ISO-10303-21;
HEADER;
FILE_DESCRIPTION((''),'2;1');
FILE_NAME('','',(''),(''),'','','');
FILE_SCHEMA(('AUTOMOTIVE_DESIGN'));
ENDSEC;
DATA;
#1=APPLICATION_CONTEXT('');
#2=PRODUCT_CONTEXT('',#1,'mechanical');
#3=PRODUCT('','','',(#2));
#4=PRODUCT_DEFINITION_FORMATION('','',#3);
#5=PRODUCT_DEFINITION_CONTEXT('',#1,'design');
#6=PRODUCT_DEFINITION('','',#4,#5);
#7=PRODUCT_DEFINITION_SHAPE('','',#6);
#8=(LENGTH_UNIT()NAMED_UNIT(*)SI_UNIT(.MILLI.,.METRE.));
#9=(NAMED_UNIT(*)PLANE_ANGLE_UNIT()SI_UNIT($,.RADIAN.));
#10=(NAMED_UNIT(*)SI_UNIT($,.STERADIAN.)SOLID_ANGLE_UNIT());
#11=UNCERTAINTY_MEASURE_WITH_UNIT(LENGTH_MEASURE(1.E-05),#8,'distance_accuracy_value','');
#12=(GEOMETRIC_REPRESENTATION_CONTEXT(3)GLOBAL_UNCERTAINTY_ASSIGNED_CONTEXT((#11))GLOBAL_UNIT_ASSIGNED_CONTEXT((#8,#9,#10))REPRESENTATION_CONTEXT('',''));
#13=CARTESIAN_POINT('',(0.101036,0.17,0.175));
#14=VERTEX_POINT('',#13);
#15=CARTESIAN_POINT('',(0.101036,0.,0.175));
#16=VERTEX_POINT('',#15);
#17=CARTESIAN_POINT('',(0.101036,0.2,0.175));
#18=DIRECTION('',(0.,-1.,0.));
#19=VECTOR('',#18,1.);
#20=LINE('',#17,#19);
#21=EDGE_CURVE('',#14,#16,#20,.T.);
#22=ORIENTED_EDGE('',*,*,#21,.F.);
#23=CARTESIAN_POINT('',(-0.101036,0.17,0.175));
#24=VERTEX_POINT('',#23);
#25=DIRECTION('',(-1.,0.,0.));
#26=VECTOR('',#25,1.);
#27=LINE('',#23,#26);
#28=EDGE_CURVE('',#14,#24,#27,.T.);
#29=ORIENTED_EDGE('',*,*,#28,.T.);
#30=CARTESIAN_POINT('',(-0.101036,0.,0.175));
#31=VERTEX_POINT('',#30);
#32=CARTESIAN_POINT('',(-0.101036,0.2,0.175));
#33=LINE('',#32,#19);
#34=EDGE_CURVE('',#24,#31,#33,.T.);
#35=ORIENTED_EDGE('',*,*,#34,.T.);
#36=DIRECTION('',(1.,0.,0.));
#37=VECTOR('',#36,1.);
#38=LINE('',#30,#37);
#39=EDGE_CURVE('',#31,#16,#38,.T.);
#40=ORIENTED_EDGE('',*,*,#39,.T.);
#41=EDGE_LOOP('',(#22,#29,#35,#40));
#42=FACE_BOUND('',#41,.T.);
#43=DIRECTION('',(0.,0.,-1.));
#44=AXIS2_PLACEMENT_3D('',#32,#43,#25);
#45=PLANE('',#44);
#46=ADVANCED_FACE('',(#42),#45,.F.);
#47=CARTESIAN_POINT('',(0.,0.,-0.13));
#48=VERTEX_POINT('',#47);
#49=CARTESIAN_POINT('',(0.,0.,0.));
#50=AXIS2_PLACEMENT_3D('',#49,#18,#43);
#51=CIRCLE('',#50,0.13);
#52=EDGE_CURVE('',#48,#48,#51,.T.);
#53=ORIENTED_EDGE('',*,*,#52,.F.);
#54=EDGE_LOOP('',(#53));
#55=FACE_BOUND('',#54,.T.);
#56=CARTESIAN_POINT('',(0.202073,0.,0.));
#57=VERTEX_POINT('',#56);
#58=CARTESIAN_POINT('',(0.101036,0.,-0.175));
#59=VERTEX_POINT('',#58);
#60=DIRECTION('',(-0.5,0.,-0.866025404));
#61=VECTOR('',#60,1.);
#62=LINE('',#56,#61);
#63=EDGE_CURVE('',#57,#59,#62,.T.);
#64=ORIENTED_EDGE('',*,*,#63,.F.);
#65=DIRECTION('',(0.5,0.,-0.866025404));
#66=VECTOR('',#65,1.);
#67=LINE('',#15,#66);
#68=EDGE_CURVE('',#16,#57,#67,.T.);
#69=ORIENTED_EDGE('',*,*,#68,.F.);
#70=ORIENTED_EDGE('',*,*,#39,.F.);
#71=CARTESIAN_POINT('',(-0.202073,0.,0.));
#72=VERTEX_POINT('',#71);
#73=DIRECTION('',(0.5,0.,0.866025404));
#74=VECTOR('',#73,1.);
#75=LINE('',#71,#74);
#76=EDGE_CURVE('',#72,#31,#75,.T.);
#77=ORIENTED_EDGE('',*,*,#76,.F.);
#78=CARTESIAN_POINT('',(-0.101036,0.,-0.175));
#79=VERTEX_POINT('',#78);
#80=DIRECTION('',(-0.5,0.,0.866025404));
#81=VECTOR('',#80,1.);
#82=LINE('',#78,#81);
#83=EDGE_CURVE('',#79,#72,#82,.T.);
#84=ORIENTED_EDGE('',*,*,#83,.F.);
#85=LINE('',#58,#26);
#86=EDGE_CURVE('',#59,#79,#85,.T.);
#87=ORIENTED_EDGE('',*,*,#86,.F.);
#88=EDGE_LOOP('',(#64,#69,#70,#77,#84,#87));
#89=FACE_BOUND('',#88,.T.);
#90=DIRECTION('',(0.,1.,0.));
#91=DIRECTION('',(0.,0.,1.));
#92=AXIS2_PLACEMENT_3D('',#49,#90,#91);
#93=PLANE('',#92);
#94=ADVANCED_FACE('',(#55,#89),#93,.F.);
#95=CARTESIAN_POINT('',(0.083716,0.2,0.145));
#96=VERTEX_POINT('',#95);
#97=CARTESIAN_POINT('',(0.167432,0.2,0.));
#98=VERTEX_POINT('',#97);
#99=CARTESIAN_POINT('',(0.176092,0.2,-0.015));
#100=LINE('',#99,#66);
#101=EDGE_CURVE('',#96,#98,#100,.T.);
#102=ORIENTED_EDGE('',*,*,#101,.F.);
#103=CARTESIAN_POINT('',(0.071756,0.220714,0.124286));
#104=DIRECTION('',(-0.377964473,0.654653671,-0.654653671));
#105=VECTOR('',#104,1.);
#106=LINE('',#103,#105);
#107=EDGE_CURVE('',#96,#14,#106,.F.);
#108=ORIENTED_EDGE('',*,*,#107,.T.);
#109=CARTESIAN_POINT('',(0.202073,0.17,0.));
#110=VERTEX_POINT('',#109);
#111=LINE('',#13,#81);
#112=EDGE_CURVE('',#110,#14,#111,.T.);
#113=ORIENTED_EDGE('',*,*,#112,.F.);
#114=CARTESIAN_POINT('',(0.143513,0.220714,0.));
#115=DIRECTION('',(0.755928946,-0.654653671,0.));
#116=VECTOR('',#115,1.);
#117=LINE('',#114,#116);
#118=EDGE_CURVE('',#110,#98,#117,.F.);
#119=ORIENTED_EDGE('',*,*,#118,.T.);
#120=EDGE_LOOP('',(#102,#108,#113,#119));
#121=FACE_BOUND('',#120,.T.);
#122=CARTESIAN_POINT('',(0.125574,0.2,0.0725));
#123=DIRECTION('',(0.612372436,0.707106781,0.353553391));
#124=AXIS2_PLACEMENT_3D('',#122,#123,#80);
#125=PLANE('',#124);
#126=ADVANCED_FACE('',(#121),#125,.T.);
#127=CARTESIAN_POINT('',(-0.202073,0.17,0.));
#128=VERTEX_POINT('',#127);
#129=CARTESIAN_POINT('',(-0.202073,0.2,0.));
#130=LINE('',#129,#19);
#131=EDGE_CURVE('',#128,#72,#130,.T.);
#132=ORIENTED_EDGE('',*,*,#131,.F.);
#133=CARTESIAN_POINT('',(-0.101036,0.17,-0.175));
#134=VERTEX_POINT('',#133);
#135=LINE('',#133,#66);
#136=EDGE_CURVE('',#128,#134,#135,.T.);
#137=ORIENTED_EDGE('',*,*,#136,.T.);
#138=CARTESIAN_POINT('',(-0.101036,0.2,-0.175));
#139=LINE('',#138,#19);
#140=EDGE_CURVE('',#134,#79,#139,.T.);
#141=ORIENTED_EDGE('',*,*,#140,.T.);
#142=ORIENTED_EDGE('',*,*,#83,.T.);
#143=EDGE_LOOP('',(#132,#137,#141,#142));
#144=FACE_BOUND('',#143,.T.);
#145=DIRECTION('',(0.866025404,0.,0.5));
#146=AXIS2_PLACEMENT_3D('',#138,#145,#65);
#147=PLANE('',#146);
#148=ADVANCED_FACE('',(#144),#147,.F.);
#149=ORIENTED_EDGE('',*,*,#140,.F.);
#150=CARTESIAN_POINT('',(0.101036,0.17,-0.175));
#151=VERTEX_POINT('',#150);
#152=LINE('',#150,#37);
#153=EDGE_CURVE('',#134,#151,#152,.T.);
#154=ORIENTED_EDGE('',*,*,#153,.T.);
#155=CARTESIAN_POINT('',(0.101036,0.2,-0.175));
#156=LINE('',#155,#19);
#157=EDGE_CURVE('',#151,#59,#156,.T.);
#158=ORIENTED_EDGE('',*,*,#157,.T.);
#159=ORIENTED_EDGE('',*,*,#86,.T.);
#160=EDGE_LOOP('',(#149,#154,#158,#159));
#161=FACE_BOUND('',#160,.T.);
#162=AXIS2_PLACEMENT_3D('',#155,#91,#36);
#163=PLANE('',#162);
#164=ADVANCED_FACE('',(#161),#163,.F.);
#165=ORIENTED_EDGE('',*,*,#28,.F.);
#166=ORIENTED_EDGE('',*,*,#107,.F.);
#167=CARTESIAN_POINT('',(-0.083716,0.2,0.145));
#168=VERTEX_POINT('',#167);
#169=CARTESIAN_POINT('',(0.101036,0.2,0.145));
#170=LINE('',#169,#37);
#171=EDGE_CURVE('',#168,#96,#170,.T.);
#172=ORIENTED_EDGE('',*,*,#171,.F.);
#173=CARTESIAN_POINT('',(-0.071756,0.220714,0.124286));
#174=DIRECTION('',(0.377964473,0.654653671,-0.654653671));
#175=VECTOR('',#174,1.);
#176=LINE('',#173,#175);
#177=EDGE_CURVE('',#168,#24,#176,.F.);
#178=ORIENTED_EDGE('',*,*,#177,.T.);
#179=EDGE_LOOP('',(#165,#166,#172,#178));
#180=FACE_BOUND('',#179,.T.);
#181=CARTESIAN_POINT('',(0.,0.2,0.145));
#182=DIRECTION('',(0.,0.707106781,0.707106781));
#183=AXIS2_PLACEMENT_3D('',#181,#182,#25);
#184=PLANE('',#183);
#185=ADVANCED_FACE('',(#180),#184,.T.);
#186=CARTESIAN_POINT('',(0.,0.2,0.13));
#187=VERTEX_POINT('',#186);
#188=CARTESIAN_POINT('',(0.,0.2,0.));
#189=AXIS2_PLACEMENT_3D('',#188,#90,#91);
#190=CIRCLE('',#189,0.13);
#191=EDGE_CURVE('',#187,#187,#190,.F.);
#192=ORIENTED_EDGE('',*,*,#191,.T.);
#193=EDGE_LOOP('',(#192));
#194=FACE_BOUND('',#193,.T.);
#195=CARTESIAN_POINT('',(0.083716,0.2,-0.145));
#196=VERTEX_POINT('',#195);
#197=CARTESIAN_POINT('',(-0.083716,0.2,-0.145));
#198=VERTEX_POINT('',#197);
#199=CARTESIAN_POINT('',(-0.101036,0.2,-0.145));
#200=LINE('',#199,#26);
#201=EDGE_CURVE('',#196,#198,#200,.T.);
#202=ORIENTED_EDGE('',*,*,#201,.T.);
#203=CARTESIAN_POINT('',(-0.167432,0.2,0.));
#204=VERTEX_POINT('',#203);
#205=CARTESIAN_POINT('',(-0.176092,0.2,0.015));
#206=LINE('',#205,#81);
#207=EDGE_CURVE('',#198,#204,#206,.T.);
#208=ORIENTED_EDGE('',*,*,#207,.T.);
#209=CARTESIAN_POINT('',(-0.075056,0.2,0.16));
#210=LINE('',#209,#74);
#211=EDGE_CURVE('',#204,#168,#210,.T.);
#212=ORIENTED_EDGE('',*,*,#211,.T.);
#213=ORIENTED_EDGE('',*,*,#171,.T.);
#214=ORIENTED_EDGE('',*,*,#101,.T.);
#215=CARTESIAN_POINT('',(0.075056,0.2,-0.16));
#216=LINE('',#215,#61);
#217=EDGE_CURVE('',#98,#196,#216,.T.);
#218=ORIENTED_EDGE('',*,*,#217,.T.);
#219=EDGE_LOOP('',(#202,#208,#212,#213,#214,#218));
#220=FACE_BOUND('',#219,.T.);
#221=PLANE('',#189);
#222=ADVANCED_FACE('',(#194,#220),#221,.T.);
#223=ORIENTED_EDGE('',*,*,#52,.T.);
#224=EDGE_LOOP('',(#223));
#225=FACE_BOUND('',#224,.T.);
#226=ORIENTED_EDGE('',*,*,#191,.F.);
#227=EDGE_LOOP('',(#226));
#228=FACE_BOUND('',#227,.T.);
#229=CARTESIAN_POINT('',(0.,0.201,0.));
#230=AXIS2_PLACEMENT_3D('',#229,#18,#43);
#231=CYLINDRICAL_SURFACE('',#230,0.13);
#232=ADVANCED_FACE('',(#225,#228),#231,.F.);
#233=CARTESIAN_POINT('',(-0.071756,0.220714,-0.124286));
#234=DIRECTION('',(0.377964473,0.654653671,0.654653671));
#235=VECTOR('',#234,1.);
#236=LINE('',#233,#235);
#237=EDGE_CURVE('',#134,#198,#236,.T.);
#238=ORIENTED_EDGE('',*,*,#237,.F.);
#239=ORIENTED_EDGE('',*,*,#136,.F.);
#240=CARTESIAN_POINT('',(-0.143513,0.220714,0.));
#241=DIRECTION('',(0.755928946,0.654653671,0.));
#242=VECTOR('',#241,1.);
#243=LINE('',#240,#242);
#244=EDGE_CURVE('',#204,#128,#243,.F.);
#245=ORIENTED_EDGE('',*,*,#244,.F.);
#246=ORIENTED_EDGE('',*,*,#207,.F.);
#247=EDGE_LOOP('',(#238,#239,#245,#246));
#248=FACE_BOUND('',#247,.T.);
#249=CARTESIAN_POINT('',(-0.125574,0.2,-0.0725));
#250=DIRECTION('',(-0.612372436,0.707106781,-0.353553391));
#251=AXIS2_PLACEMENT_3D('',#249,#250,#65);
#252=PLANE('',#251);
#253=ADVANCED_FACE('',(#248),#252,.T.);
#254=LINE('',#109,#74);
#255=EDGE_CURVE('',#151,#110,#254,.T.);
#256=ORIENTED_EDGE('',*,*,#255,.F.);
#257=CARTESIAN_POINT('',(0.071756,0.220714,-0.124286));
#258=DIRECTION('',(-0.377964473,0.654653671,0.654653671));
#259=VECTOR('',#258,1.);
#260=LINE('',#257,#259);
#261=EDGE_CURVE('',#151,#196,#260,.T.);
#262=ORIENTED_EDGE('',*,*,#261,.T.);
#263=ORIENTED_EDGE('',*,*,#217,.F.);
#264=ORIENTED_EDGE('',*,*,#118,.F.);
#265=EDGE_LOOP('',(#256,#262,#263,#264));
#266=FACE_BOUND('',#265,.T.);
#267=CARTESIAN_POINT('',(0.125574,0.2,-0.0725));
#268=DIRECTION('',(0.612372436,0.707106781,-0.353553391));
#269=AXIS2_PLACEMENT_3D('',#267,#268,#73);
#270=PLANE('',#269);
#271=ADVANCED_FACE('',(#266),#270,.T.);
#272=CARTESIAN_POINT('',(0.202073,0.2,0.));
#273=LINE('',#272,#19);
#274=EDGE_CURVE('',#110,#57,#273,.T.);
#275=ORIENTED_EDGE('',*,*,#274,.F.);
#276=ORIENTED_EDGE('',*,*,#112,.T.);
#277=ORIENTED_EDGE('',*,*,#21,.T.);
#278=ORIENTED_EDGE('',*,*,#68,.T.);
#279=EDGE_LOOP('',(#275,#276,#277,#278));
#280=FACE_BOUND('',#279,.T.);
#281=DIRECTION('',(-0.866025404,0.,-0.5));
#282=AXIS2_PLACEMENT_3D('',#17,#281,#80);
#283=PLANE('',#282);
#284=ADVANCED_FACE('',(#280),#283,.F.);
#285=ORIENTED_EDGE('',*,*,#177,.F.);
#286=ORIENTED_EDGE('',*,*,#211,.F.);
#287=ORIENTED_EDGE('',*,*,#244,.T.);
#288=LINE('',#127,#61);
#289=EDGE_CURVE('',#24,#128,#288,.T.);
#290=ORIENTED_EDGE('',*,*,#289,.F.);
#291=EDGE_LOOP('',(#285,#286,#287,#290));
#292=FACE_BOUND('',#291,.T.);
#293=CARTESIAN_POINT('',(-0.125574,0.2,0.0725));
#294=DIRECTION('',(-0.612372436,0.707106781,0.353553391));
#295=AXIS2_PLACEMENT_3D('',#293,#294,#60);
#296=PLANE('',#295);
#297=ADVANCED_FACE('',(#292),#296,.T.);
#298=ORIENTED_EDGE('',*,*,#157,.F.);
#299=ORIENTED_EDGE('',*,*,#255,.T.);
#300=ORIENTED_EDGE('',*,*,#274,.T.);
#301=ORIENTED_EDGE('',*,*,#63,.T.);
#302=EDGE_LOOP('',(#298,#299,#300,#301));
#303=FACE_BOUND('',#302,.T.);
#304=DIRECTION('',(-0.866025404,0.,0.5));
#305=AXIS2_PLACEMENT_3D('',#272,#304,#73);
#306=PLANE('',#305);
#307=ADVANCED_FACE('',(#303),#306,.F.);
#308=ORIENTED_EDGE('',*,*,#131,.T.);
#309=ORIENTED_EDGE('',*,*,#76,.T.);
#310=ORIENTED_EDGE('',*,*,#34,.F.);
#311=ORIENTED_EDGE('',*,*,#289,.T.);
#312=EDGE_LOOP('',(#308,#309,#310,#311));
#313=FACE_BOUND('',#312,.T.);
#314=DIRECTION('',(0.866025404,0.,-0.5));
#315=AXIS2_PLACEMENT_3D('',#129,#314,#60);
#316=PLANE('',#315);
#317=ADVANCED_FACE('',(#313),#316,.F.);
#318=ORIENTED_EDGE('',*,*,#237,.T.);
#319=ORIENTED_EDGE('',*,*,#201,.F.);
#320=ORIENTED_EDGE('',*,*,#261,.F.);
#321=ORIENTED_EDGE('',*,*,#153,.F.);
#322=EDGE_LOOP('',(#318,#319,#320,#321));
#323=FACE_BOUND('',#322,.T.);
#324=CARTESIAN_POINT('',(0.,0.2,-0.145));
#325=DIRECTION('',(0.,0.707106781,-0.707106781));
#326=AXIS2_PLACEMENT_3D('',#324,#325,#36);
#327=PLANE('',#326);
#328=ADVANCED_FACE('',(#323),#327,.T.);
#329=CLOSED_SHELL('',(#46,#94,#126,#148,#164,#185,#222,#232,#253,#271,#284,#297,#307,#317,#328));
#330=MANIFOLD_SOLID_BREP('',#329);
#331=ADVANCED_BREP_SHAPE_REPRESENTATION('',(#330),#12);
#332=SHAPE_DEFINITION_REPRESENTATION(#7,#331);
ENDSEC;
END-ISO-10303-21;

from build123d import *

# Parameters (mm, degrees)
BOSS_EXTRUDE1_DEPTH = 0.2
CUT_EXTRUDE1_REACH  = 2.334
SKETCH3_R           = 0.13
CHAMFER2_SIZE       = 0.03


with BuildPart() as part:
    # Sketch1 → Boss-Extrude1 (new body)
    with BuildSketch(Plane(origin=(0, 0, 0), x_dir=(1, 0, 0), z_dir=(0, 1, 0))):
        Polygon((0.101036297, 0.175), (-0.101036297, 0.175), (-0.202072594, 0), (-0.101036297, -0.175), (0.101036297, -0.175), (0.202072594, 0), align=None)
    extrude(amount=BOSS_EXTRUDE1_DEPTH)

    # Sketch3 → Cut-Extrude1 (cut, up to next)
    with BuildSketch(Plane.XZ, mode=Mode.PRIVATE) as cut_extrude1_sk1:
        with Locations(Location((0, 0, 0), (0, 0, 270))):
            Circle(SKETCH3_R)
    cut_extrude1_tool1 = extrude(cut_extrude1_sk1.sketch, amount=-CUT_EXTRUDE1_REACH, mode=Mode.PRIVATE) & part.part
    add(cut_extrude1_tool1.solids().sort_by_distance((0, 0, 0))[0], mode=Mode.SUBTRACT)

    # Chamfer2
    chamfer2_edges = [part.edges().sort_by_distance(p)[0] for p in [
        (-0.151554446, 0.2, -0.0875),
        (-0.151554446, 0.2, 0.0875),
        (0, 0.2, 0.175),
        (0.151554446, 0.2, 0.0875),
        (0.151554446, 0.2, -0.0875),
        (0, 0.2, -0.175),
    ]]
    chamfer(chamfer2_edges, length=CHAMFER2_SIZE)


solid = part.part
